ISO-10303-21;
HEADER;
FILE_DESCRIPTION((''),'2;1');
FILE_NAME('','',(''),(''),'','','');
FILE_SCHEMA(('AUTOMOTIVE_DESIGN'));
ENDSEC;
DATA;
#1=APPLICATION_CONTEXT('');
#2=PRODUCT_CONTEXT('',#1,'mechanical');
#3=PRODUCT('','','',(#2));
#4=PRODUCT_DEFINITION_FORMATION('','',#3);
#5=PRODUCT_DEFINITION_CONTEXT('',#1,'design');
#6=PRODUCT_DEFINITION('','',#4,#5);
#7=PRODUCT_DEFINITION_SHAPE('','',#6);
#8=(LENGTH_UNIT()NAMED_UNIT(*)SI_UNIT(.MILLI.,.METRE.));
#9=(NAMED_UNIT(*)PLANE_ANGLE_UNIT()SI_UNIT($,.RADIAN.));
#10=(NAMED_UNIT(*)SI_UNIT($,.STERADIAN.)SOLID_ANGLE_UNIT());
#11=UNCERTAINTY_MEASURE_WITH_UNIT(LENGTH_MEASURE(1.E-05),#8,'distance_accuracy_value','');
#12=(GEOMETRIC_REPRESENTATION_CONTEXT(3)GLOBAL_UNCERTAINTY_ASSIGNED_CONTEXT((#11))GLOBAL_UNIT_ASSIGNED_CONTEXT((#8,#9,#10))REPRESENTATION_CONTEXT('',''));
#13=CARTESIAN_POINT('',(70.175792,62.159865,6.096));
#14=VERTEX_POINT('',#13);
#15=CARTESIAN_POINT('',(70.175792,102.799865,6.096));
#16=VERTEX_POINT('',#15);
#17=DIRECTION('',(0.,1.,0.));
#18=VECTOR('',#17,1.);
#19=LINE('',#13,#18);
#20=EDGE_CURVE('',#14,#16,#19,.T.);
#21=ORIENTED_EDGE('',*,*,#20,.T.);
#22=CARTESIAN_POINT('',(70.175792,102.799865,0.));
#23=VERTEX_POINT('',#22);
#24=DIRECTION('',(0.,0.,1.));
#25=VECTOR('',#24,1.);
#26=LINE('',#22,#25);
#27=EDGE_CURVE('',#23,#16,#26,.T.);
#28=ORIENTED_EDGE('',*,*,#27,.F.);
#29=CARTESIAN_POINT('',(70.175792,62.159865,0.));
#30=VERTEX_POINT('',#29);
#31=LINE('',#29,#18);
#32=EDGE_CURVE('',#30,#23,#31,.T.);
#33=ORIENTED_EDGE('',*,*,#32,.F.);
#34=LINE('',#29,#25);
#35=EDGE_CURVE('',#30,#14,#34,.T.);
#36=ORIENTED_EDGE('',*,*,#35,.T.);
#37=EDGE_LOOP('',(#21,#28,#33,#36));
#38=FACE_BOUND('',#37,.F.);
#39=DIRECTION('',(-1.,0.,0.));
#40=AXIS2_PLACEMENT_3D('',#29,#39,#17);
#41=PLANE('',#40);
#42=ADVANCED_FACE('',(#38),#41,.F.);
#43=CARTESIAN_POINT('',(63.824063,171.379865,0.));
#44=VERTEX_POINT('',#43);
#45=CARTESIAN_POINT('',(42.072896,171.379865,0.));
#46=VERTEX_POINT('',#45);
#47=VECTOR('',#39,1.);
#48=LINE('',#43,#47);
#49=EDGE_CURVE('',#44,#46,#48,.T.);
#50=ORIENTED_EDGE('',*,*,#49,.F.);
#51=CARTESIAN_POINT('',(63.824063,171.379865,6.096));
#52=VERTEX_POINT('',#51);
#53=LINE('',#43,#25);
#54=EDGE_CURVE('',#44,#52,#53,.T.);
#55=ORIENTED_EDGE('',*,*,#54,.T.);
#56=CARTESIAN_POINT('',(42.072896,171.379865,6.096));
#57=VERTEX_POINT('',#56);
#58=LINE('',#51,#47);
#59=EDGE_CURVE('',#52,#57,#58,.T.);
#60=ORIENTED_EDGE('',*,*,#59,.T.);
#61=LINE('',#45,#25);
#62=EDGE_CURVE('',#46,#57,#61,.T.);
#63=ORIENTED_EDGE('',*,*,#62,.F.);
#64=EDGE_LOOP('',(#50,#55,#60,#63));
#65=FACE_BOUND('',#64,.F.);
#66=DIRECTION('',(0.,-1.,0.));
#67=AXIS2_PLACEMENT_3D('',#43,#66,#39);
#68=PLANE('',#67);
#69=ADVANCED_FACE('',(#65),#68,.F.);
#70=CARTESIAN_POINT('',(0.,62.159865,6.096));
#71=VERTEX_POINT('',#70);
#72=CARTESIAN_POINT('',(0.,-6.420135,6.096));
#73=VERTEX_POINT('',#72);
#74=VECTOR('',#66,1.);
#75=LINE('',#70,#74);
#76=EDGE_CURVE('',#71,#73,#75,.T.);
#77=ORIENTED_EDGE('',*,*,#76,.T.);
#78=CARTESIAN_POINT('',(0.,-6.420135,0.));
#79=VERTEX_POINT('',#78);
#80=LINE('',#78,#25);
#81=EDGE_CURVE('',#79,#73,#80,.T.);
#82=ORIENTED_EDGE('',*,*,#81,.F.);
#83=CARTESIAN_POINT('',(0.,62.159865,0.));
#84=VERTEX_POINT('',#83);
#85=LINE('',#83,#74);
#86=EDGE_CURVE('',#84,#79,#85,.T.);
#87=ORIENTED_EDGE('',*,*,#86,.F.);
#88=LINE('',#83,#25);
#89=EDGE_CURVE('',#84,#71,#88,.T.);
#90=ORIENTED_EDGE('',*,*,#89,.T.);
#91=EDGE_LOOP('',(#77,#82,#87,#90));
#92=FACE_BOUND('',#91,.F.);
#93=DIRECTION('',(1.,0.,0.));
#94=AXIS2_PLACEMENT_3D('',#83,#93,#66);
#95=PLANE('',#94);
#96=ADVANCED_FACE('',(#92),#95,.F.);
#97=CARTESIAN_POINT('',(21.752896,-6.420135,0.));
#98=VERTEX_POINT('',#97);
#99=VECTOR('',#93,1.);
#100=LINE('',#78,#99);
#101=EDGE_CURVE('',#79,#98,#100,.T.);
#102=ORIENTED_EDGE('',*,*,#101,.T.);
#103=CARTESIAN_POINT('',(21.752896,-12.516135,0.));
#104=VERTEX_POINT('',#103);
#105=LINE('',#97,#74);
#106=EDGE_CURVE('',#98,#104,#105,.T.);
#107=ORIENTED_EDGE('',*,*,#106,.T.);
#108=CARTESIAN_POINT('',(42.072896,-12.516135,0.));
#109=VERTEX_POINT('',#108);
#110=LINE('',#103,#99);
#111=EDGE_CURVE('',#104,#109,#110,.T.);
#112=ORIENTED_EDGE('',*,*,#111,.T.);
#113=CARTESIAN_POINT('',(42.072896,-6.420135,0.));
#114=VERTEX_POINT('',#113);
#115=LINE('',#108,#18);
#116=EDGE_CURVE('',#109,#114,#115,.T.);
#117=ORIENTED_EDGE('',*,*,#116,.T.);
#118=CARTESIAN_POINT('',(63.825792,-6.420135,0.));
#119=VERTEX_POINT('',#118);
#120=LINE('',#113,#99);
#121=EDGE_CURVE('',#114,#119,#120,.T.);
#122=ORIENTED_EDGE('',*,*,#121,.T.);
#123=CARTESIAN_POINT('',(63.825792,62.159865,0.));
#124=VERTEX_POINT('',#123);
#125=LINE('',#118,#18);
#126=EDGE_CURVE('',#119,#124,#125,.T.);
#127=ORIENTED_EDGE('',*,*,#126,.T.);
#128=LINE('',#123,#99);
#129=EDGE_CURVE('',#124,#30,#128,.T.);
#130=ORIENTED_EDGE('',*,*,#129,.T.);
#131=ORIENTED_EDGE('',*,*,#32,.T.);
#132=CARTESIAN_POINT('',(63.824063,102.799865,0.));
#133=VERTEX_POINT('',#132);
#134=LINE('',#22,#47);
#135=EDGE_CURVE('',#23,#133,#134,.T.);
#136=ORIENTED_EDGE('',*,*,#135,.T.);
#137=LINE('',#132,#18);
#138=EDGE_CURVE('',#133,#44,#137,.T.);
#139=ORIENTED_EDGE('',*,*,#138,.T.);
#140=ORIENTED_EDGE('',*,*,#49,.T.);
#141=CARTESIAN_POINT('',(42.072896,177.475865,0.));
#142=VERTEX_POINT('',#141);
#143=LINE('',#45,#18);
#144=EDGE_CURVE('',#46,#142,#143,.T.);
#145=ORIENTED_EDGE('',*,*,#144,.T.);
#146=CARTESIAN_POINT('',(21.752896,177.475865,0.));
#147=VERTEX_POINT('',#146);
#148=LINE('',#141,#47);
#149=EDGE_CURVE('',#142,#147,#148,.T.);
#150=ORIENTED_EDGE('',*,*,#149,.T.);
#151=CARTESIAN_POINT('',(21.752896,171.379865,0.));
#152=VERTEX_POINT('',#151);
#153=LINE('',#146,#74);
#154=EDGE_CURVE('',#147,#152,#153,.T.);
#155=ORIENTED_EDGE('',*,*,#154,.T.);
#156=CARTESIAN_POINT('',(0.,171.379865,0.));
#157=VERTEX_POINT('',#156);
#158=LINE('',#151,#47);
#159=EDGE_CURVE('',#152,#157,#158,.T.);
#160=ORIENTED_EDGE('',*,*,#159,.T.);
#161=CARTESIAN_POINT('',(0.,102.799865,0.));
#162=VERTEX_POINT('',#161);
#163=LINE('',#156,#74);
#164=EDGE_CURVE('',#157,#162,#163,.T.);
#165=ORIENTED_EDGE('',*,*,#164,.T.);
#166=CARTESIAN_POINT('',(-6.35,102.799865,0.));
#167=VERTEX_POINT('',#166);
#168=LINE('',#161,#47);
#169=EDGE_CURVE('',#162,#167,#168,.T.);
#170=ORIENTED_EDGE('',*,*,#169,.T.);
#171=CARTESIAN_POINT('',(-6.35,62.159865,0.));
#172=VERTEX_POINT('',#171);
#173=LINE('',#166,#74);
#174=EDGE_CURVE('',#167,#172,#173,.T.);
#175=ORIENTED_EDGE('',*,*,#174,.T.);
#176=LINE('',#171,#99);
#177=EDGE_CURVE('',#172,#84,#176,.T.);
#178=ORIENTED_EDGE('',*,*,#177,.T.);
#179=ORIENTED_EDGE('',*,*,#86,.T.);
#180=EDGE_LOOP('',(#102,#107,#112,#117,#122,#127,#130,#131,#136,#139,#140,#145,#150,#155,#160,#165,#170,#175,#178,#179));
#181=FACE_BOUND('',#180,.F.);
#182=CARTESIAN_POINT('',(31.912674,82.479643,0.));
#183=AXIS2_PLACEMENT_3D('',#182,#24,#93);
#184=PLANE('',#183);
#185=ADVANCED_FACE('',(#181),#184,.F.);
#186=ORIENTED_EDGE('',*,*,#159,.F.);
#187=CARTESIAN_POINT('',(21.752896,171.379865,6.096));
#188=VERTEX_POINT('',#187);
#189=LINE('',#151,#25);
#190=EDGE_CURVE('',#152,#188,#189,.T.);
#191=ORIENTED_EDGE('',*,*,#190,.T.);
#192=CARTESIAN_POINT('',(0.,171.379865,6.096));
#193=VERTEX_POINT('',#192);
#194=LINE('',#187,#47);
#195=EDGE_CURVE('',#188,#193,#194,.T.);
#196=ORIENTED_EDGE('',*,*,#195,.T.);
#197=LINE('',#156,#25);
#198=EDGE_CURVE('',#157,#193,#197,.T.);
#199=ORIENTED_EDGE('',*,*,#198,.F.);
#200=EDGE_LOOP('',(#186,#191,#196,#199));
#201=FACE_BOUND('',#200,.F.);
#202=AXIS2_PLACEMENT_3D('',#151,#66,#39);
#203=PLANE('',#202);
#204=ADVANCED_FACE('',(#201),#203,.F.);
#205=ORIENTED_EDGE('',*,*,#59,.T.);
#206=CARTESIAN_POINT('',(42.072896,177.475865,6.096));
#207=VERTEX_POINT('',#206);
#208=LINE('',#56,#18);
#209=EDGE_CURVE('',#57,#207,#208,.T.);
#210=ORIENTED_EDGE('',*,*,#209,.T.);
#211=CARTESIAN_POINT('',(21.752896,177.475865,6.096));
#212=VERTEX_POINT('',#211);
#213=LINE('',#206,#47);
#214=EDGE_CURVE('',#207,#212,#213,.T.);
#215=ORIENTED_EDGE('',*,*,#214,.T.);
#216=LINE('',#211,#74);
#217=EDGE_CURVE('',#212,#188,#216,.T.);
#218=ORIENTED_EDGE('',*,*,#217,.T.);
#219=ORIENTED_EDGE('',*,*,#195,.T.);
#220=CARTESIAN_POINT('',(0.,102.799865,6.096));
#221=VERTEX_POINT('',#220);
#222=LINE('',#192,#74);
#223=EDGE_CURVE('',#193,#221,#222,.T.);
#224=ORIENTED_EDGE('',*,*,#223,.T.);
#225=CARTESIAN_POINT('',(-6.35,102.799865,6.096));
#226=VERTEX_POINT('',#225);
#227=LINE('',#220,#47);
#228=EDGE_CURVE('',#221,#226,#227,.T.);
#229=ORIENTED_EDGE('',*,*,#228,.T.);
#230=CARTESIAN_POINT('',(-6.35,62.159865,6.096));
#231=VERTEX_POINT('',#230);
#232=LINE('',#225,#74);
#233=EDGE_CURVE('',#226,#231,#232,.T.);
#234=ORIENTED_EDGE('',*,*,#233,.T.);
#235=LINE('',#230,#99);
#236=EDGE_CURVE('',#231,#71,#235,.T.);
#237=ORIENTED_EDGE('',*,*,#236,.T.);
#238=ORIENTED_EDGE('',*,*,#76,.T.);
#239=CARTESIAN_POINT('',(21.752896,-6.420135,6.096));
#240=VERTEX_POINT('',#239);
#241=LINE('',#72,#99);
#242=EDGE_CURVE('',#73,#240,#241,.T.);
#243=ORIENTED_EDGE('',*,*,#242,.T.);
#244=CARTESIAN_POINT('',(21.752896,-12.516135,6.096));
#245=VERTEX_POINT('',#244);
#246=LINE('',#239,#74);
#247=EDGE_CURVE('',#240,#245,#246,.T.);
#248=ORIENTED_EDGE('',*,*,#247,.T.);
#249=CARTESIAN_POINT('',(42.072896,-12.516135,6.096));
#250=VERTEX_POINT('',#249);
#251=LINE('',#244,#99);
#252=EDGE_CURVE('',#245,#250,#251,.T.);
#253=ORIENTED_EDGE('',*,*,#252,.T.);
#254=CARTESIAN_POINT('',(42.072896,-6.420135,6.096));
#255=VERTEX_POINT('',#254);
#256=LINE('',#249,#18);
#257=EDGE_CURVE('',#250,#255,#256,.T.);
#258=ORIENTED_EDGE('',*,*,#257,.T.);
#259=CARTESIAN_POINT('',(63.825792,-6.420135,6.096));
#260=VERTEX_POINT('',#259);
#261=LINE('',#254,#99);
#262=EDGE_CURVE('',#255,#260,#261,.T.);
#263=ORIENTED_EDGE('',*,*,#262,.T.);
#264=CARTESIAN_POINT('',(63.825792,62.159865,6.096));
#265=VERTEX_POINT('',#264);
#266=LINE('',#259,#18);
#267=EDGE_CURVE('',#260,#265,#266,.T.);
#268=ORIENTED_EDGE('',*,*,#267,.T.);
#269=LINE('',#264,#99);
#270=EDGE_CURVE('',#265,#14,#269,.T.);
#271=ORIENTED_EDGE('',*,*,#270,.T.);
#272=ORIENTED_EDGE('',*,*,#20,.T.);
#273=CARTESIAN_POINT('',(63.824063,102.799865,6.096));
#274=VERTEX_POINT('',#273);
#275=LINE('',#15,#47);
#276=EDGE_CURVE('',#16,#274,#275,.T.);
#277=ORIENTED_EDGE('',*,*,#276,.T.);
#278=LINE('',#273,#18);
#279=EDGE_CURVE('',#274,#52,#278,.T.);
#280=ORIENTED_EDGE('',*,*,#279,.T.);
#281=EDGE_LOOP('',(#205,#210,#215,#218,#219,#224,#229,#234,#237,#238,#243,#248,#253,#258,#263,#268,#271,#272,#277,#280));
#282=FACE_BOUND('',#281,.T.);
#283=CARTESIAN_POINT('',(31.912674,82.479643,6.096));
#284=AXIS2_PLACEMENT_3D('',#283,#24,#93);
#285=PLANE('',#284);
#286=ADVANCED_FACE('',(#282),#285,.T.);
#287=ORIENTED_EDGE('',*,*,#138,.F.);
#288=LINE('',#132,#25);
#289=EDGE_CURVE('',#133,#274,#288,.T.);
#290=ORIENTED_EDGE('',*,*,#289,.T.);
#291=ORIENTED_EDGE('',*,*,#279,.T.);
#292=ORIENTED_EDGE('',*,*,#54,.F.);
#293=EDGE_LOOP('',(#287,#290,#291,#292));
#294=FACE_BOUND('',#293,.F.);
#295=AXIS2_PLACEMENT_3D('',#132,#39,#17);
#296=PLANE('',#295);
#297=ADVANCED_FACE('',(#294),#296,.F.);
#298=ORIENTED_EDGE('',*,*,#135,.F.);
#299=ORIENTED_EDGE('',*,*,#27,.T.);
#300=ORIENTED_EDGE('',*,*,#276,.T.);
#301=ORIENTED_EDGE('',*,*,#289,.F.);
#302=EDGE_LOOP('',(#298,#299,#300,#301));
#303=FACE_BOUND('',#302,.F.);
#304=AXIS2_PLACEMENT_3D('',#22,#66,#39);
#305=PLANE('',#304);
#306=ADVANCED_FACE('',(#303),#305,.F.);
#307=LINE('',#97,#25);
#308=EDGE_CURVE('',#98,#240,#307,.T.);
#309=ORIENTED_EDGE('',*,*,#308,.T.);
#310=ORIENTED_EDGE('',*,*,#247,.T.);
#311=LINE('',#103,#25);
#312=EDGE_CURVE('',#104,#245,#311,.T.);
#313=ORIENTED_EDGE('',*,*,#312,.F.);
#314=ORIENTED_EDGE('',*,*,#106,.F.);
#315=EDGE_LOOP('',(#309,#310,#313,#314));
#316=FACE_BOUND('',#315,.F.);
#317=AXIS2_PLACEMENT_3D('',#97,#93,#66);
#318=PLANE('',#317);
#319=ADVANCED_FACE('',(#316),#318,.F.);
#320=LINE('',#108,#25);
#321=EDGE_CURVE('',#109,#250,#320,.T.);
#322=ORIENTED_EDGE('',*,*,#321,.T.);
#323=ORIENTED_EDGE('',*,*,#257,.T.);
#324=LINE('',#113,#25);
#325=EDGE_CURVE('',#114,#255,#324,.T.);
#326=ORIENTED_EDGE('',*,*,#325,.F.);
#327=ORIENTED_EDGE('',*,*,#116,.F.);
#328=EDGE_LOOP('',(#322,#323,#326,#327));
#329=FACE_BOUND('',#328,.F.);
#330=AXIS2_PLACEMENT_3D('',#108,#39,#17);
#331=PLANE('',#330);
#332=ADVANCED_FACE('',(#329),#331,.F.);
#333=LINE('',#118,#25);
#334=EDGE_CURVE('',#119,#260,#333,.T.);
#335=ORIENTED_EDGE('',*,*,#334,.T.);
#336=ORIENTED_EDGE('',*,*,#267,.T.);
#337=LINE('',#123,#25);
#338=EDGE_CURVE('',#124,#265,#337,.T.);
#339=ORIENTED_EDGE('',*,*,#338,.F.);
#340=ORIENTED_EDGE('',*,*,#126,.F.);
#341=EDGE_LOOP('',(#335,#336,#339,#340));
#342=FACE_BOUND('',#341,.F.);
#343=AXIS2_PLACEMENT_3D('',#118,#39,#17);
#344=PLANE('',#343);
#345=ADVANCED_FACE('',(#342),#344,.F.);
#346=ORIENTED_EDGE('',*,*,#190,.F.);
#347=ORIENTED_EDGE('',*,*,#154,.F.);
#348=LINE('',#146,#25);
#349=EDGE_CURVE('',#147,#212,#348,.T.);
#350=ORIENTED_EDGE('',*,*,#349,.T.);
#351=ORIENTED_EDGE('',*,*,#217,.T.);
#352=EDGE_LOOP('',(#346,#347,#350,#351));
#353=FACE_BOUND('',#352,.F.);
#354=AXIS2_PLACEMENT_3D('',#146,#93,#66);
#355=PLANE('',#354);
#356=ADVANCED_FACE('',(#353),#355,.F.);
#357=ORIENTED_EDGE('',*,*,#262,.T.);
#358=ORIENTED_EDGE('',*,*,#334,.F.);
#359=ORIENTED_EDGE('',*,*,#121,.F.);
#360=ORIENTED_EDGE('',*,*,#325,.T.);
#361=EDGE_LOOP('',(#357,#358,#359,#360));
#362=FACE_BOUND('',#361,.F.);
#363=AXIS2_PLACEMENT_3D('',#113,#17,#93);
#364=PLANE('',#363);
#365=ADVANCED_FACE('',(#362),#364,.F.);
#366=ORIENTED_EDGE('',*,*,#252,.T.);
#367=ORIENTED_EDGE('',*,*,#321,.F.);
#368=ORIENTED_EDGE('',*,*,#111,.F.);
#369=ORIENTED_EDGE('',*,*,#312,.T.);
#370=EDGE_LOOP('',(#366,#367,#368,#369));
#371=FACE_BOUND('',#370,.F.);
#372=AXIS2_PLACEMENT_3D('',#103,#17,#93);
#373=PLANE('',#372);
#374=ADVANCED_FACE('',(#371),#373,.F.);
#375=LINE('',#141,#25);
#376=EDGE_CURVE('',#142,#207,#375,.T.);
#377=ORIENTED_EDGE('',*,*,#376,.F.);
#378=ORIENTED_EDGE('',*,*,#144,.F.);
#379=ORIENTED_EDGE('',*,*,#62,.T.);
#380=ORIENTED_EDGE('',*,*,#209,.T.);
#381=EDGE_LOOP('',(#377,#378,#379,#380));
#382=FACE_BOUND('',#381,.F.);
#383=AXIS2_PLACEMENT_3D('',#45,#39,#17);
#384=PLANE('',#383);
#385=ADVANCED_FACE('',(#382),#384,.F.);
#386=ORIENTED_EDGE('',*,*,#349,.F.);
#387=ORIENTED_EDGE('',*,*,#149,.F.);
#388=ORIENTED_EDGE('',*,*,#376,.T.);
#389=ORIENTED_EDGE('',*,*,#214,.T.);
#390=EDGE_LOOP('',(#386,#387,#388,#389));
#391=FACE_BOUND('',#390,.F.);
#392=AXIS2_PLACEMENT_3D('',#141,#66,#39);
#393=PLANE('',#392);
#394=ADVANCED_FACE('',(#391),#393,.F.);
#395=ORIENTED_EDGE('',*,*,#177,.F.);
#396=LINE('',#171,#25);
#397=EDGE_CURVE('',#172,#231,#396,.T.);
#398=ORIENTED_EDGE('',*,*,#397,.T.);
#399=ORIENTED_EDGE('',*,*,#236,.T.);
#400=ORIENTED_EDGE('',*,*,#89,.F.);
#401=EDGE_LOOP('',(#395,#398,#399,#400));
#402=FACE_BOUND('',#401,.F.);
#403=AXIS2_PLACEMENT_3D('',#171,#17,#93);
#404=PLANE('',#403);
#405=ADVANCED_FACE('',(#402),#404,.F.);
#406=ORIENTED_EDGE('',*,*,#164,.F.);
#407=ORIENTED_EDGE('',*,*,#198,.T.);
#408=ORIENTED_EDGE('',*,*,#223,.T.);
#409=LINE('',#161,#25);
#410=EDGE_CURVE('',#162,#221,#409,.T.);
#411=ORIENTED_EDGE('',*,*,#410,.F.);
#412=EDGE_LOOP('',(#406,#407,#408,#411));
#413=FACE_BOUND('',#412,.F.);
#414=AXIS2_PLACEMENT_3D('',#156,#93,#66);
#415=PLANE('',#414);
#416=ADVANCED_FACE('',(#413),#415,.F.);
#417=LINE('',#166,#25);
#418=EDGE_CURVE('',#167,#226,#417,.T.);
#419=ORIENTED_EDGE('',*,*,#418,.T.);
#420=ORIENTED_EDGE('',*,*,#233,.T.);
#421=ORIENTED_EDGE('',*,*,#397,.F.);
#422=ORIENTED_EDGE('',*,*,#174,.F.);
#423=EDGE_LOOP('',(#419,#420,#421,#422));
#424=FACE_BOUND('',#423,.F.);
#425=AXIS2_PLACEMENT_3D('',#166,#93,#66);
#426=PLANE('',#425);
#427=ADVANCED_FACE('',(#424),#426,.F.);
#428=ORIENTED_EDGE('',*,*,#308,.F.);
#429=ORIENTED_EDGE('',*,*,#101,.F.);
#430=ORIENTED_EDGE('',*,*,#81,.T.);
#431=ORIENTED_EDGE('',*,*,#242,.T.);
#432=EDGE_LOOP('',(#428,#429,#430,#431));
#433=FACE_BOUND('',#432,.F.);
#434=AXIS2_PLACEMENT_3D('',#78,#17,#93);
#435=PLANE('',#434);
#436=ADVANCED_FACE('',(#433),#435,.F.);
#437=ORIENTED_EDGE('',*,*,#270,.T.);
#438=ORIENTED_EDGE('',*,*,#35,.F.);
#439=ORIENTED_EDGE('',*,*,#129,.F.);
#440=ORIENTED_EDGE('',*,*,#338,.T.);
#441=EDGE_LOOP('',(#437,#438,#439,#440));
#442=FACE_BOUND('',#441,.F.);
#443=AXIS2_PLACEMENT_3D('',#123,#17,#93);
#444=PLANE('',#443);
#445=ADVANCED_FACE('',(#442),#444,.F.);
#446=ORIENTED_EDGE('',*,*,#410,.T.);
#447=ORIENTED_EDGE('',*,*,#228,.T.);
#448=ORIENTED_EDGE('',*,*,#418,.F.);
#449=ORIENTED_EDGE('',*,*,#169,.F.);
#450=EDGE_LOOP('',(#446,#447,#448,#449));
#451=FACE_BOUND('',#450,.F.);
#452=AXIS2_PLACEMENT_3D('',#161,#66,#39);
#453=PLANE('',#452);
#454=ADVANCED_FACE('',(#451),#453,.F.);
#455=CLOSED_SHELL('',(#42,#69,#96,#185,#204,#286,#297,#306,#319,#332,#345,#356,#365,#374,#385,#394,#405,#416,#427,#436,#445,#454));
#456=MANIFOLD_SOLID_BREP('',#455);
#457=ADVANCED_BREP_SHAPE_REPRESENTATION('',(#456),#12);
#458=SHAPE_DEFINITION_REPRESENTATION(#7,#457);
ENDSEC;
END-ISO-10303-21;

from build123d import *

# Parameters (mm, degrees)
F1_DEPTH = 6.096


with BuildPart() as f1:
    # F0 (on Top) → F1 (new body)
    with BuildSketch(Plane.XY):
        Polygon((0, 102.799865), (-6.35, 102.799865), (-6.35, 62.159865), (0, 62.159865), (0, -6.420135), (21.752896, -6.420135), (21.752896, -12.516135), (42.072896, -12.516135), (42.072896, -6.420135), (63.825792, -6.420135), (63.825792, 62.159865), (70.175792, 62.159865), (70.175792, 102.799865), (63.824063, 102.799865), (63.824063, 171.379865), (42.072896, 171.379865), (42.072896, 177.475865), (21.752896, 177.475865), (21.752896, 171.379865), (0, 171.379865), align=None)
    extrude(amount=F1_DEPTH)


solid = f1.part
